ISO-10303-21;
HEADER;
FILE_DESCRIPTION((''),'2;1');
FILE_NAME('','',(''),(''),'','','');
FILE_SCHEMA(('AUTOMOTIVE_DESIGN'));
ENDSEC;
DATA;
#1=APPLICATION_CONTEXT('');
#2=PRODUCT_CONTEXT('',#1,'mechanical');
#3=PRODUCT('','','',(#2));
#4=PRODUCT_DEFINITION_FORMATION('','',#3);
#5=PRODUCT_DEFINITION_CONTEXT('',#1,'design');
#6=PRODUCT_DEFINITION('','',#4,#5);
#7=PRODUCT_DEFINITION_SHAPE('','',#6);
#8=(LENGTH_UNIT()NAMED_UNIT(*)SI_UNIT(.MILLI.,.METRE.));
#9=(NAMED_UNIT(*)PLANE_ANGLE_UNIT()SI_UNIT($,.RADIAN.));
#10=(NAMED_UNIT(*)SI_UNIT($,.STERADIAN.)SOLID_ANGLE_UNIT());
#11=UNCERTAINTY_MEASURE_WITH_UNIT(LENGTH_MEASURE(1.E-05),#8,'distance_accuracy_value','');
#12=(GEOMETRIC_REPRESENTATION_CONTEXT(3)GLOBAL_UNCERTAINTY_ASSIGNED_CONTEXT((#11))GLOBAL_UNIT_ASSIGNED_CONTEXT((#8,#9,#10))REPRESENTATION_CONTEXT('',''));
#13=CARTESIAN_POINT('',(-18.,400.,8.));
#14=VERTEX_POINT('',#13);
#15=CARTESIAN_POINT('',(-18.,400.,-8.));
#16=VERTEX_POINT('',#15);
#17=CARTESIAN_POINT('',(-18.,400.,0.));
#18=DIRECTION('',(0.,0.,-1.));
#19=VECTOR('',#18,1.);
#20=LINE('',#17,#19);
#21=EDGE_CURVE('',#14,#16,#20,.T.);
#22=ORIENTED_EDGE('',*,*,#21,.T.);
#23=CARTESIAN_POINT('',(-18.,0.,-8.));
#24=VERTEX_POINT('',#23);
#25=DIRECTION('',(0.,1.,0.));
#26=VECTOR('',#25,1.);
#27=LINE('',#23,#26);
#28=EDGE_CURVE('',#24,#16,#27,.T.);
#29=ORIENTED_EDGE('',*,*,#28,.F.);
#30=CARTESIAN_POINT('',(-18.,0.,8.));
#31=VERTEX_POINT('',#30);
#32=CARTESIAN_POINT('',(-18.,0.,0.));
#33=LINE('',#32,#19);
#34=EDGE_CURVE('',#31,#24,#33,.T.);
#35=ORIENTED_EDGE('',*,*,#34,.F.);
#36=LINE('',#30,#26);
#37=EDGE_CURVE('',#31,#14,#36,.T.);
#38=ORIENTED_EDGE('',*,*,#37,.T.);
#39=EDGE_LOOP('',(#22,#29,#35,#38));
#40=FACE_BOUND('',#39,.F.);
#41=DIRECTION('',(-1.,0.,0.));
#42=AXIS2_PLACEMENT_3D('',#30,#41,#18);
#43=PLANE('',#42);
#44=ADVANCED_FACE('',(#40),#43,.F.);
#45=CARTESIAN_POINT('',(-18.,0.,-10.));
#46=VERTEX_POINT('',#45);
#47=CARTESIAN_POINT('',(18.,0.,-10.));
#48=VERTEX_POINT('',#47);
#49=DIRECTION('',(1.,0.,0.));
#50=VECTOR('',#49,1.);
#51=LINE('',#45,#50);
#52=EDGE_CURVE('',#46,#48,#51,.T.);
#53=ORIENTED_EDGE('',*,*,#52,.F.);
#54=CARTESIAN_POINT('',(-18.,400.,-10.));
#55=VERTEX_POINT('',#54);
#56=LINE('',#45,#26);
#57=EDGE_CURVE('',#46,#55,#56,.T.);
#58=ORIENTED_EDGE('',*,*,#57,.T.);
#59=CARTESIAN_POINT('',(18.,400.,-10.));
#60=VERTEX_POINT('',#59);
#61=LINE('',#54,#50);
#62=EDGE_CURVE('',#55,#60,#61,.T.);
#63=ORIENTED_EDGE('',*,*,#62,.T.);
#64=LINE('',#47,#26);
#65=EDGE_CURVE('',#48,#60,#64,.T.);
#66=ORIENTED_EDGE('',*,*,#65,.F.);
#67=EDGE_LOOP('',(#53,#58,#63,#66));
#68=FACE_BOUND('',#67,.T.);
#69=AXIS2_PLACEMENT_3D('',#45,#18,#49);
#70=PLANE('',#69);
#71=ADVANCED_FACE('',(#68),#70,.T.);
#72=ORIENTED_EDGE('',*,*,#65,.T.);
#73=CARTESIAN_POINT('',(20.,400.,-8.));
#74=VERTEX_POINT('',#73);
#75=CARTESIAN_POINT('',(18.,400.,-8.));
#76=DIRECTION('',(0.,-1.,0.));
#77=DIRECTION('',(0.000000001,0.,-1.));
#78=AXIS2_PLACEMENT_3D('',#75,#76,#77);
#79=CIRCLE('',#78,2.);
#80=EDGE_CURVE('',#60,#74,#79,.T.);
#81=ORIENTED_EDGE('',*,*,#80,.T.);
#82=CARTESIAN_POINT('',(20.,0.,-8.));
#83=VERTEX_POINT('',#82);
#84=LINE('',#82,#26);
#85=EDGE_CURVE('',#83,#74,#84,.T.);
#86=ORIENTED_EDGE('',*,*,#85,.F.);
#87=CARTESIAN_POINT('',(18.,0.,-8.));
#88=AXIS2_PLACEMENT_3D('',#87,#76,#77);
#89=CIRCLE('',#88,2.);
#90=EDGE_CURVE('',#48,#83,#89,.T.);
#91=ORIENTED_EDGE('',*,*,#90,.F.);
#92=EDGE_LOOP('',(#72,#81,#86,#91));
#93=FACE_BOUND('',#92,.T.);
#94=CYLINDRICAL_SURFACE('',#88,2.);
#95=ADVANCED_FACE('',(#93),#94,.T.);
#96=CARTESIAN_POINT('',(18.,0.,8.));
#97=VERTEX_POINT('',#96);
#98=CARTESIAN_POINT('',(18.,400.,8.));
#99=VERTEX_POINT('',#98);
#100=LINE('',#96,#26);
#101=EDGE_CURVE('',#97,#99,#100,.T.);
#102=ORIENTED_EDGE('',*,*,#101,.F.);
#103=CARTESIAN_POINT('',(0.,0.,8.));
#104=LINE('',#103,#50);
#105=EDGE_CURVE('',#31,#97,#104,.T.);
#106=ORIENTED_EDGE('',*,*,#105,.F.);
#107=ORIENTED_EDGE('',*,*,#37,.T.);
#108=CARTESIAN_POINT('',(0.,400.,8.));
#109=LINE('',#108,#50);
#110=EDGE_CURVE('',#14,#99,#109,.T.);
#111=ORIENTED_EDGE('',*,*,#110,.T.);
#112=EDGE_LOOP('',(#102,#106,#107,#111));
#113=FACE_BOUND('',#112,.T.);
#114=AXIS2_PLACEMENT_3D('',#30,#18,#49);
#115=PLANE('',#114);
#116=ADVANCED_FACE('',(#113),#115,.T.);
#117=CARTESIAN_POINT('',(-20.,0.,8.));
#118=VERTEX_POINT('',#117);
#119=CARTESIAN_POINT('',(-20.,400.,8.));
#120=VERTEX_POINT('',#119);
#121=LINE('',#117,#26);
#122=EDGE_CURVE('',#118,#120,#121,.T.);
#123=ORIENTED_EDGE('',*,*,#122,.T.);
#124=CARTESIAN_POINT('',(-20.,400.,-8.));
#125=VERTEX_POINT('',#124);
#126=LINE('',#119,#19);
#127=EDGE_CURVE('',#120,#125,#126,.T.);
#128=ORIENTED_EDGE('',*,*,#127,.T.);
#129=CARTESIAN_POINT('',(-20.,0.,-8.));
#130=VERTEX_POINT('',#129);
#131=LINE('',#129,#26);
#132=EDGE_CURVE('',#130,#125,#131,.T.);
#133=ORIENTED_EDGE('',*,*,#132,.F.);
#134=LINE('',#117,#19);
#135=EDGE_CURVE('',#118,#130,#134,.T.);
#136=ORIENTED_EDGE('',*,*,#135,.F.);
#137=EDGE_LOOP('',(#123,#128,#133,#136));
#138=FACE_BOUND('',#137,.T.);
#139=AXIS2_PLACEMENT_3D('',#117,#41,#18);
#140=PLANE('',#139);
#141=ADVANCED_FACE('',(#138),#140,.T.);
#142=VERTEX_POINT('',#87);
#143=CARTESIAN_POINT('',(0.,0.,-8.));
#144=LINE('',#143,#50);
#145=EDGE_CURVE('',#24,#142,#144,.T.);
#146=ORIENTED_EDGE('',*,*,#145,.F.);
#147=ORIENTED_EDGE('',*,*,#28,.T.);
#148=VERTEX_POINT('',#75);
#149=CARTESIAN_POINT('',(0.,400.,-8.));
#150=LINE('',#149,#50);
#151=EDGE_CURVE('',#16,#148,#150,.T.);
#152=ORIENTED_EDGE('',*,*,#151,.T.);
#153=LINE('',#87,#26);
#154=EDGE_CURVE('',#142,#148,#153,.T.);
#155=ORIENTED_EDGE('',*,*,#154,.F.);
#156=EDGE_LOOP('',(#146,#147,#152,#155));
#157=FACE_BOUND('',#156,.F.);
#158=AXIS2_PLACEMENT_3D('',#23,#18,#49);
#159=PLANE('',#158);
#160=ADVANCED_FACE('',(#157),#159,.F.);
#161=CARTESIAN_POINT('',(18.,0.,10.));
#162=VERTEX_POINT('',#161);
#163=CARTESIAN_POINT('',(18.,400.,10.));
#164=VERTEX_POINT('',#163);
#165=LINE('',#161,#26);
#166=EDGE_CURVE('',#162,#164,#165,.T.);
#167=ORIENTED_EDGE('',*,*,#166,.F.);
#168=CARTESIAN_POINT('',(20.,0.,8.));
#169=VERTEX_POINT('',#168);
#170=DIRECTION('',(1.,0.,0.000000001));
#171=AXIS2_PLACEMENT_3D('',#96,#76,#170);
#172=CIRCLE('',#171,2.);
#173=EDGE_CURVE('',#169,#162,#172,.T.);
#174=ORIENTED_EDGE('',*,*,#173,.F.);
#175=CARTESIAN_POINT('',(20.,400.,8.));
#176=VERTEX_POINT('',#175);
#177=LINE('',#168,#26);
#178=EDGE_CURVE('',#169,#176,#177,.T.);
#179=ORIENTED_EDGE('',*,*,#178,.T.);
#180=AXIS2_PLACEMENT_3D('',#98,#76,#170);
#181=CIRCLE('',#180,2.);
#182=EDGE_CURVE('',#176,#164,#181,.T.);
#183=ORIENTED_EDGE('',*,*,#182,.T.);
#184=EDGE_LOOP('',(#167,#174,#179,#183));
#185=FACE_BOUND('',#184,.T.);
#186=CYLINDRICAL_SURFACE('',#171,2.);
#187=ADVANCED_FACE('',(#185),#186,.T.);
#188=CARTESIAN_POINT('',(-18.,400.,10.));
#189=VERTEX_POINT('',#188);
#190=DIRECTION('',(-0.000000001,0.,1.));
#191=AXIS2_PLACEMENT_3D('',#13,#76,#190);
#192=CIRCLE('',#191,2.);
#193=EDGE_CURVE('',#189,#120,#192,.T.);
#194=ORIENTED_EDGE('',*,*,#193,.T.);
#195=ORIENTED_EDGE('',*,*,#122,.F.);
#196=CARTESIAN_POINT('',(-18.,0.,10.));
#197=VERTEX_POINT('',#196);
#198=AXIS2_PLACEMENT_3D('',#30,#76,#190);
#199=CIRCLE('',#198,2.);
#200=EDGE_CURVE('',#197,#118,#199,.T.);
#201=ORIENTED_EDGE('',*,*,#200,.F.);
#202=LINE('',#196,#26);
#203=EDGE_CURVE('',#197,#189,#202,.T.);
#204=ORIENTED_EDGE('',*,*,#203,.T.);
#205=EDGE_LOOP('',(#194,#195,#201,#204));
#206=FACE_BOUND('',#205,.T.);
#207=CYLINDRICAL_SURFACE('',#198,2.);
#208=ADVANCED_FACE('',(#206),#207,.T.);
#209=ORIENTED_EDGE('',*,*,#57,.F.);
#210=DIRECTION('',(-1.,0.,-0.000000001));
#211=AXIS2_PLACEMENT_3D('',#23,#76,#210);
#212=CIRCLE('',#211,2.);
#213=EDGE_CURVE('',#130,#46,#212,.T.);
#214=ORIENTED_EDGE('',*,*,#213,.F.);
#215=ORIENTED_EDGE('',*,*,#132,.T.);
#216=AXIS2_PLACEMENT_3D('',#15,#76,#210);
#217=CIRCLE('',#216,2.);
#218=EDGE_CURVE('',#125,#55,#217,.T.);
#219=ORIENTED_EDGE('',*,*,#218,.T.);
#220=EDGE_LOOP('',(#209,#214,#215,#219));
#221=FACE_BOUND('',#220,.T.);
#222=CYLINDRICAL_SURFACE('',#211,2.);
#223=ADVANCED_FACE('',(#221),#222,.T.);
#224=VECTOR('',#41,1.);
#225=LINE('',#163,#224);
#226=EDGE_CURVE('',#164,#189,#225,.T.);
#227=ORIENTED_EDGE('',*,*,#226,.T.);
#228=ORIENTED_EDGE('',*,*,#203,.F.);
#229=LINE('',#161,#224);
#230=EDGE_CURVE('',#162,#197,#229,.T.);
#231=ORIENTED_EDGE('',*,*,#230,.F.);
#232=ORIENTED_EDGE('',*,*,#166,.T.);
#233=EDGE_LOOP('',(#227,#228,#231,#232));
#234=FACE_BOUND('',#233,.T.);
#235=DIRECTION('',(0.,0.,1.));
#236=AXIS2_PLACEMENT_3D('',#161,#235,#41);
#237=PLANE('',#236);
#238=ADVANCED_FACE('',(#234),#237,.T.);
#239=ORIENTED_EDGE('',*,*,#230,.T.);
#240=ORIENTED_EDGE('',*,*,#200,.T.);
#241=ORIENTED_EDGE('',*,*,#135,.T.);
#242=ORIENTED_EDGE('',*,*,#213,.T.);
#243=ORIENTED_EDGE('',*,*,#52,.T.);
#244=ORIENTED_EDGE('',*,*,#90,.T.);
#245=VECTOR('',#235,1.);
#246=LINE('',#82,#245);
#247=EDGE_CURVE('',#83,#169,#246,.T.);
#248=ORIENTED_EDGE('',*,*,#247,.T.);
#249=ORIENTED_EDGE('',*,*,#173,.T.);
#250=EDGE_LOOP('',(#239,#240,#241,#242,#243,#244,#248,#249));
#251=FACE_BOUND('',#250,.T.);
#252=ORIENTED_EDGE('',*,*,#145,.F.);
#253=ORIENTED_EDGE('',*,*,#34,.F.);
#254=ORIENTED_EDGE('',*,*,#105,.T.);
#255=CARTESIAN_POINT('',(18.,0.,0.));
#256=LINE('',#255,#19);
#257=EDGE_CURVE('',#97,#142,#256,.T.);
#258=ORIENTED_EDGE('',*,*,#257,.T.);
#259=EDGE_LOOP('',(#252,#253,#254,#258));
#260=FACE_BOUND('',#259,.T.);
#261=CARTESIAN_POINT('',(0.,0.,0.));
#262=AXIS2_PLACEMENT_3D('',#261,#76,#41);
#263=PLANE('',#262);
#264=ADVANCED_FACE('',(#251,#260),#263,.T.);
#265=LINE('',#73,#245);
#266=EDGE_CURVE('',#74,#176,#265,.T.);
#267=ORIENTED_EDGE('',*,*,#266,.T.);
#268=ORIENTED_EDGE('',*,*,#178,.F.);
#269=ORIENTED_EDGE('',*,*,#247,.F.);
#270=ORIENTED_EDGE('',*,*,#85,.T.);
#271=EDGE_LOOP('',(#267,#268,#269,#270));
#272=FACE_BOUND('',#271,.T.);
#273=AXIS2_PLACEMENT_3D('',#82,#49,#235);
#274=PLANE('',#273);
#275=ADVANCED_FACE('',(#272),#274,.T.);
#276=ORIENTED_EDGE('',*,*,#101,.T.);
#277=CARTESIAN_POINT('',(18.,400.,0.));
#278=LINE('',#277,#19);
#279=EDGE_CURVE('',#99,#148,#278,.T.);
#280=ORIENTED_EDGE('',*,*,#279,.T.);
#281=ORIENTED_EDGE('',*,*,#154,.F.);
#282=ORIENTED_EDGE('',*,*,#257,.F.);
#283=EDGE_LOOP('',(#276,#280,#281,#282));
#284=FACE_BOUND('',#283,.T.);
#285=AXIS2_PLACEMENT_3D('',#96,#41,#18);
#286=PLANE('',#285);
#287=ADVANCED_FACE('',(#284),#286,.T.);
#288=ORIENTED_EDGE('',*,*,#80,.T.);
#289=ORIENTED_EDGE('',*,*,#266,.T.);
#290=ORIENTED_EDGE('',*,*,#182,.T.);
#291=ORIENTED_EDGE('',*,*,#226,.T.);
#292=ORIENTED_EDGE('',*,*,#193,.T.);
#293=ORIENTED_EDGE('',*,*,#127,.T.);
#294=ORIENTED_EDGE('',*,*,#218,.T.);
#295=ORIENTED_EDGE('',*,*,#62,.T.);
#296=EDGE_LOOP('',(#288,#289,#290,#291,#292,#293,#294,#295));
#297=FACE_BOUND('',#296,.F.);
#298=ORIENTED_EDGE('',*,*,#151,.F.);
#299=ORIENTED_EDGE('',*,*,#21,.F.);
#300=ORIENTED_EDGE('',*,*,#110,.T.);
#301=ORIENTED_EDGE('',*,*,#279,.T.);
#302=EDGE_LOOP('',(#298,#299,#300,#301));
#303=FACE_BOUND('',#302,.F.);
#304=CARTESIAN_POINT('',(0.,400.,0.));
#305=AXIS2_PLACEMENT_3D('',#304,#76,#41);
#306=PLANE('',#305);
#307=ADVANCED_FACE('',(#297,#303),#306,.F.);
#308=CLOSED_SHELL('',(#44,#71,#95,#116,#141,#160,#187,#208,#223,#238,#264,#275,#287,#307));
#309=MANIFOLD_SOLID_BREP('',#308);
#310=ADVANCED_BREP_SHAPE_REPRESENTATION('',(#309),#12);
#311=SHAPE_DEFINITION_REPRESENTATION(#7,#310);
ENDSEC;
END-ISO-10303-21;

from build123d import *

# Parameters (mm, degrees)
SKETCH_1_W      = 36
SKETCH_1_H      = 16
EXTRUDE_1_DEPTH = 400


with BuildPart() as part:
    # Эскиз1 → Вытянуть-Тонкостенный1 (new body)
    with BuildSketch(Plane(origin=(0, 0, 0), x_dir=(1, 0, 0), z_dir=(0, 1, 0))):
        with BuildLine():
            Line((-18, 10), (18, 10))
            ThreePointArc((18, 10), (19.414213562, 9.414213562), (20, 8))
            Line((20, 8), (20, -8))
            ThreePointArc((20, -8), (19.414213562, -9.414213562), (18, -10))
            Line((18, -10), (-18, -10))
            ThreePointArc((-18, -10), (-19.414213562, -9.414213562), (-20, -8))
            Line((-20, -8), (-20, 8))
            ThreePointArc((-20, 8), (-19.414213562, 9.414213562), (-18, 10))
        make_face()
        Rectangle(SKETCH_1_W, SKETCH_1_H, mode=Mode.SUBTRACT)
    extrude(amount=EXTRUDE_1_DEPTH)


solid = part.part
